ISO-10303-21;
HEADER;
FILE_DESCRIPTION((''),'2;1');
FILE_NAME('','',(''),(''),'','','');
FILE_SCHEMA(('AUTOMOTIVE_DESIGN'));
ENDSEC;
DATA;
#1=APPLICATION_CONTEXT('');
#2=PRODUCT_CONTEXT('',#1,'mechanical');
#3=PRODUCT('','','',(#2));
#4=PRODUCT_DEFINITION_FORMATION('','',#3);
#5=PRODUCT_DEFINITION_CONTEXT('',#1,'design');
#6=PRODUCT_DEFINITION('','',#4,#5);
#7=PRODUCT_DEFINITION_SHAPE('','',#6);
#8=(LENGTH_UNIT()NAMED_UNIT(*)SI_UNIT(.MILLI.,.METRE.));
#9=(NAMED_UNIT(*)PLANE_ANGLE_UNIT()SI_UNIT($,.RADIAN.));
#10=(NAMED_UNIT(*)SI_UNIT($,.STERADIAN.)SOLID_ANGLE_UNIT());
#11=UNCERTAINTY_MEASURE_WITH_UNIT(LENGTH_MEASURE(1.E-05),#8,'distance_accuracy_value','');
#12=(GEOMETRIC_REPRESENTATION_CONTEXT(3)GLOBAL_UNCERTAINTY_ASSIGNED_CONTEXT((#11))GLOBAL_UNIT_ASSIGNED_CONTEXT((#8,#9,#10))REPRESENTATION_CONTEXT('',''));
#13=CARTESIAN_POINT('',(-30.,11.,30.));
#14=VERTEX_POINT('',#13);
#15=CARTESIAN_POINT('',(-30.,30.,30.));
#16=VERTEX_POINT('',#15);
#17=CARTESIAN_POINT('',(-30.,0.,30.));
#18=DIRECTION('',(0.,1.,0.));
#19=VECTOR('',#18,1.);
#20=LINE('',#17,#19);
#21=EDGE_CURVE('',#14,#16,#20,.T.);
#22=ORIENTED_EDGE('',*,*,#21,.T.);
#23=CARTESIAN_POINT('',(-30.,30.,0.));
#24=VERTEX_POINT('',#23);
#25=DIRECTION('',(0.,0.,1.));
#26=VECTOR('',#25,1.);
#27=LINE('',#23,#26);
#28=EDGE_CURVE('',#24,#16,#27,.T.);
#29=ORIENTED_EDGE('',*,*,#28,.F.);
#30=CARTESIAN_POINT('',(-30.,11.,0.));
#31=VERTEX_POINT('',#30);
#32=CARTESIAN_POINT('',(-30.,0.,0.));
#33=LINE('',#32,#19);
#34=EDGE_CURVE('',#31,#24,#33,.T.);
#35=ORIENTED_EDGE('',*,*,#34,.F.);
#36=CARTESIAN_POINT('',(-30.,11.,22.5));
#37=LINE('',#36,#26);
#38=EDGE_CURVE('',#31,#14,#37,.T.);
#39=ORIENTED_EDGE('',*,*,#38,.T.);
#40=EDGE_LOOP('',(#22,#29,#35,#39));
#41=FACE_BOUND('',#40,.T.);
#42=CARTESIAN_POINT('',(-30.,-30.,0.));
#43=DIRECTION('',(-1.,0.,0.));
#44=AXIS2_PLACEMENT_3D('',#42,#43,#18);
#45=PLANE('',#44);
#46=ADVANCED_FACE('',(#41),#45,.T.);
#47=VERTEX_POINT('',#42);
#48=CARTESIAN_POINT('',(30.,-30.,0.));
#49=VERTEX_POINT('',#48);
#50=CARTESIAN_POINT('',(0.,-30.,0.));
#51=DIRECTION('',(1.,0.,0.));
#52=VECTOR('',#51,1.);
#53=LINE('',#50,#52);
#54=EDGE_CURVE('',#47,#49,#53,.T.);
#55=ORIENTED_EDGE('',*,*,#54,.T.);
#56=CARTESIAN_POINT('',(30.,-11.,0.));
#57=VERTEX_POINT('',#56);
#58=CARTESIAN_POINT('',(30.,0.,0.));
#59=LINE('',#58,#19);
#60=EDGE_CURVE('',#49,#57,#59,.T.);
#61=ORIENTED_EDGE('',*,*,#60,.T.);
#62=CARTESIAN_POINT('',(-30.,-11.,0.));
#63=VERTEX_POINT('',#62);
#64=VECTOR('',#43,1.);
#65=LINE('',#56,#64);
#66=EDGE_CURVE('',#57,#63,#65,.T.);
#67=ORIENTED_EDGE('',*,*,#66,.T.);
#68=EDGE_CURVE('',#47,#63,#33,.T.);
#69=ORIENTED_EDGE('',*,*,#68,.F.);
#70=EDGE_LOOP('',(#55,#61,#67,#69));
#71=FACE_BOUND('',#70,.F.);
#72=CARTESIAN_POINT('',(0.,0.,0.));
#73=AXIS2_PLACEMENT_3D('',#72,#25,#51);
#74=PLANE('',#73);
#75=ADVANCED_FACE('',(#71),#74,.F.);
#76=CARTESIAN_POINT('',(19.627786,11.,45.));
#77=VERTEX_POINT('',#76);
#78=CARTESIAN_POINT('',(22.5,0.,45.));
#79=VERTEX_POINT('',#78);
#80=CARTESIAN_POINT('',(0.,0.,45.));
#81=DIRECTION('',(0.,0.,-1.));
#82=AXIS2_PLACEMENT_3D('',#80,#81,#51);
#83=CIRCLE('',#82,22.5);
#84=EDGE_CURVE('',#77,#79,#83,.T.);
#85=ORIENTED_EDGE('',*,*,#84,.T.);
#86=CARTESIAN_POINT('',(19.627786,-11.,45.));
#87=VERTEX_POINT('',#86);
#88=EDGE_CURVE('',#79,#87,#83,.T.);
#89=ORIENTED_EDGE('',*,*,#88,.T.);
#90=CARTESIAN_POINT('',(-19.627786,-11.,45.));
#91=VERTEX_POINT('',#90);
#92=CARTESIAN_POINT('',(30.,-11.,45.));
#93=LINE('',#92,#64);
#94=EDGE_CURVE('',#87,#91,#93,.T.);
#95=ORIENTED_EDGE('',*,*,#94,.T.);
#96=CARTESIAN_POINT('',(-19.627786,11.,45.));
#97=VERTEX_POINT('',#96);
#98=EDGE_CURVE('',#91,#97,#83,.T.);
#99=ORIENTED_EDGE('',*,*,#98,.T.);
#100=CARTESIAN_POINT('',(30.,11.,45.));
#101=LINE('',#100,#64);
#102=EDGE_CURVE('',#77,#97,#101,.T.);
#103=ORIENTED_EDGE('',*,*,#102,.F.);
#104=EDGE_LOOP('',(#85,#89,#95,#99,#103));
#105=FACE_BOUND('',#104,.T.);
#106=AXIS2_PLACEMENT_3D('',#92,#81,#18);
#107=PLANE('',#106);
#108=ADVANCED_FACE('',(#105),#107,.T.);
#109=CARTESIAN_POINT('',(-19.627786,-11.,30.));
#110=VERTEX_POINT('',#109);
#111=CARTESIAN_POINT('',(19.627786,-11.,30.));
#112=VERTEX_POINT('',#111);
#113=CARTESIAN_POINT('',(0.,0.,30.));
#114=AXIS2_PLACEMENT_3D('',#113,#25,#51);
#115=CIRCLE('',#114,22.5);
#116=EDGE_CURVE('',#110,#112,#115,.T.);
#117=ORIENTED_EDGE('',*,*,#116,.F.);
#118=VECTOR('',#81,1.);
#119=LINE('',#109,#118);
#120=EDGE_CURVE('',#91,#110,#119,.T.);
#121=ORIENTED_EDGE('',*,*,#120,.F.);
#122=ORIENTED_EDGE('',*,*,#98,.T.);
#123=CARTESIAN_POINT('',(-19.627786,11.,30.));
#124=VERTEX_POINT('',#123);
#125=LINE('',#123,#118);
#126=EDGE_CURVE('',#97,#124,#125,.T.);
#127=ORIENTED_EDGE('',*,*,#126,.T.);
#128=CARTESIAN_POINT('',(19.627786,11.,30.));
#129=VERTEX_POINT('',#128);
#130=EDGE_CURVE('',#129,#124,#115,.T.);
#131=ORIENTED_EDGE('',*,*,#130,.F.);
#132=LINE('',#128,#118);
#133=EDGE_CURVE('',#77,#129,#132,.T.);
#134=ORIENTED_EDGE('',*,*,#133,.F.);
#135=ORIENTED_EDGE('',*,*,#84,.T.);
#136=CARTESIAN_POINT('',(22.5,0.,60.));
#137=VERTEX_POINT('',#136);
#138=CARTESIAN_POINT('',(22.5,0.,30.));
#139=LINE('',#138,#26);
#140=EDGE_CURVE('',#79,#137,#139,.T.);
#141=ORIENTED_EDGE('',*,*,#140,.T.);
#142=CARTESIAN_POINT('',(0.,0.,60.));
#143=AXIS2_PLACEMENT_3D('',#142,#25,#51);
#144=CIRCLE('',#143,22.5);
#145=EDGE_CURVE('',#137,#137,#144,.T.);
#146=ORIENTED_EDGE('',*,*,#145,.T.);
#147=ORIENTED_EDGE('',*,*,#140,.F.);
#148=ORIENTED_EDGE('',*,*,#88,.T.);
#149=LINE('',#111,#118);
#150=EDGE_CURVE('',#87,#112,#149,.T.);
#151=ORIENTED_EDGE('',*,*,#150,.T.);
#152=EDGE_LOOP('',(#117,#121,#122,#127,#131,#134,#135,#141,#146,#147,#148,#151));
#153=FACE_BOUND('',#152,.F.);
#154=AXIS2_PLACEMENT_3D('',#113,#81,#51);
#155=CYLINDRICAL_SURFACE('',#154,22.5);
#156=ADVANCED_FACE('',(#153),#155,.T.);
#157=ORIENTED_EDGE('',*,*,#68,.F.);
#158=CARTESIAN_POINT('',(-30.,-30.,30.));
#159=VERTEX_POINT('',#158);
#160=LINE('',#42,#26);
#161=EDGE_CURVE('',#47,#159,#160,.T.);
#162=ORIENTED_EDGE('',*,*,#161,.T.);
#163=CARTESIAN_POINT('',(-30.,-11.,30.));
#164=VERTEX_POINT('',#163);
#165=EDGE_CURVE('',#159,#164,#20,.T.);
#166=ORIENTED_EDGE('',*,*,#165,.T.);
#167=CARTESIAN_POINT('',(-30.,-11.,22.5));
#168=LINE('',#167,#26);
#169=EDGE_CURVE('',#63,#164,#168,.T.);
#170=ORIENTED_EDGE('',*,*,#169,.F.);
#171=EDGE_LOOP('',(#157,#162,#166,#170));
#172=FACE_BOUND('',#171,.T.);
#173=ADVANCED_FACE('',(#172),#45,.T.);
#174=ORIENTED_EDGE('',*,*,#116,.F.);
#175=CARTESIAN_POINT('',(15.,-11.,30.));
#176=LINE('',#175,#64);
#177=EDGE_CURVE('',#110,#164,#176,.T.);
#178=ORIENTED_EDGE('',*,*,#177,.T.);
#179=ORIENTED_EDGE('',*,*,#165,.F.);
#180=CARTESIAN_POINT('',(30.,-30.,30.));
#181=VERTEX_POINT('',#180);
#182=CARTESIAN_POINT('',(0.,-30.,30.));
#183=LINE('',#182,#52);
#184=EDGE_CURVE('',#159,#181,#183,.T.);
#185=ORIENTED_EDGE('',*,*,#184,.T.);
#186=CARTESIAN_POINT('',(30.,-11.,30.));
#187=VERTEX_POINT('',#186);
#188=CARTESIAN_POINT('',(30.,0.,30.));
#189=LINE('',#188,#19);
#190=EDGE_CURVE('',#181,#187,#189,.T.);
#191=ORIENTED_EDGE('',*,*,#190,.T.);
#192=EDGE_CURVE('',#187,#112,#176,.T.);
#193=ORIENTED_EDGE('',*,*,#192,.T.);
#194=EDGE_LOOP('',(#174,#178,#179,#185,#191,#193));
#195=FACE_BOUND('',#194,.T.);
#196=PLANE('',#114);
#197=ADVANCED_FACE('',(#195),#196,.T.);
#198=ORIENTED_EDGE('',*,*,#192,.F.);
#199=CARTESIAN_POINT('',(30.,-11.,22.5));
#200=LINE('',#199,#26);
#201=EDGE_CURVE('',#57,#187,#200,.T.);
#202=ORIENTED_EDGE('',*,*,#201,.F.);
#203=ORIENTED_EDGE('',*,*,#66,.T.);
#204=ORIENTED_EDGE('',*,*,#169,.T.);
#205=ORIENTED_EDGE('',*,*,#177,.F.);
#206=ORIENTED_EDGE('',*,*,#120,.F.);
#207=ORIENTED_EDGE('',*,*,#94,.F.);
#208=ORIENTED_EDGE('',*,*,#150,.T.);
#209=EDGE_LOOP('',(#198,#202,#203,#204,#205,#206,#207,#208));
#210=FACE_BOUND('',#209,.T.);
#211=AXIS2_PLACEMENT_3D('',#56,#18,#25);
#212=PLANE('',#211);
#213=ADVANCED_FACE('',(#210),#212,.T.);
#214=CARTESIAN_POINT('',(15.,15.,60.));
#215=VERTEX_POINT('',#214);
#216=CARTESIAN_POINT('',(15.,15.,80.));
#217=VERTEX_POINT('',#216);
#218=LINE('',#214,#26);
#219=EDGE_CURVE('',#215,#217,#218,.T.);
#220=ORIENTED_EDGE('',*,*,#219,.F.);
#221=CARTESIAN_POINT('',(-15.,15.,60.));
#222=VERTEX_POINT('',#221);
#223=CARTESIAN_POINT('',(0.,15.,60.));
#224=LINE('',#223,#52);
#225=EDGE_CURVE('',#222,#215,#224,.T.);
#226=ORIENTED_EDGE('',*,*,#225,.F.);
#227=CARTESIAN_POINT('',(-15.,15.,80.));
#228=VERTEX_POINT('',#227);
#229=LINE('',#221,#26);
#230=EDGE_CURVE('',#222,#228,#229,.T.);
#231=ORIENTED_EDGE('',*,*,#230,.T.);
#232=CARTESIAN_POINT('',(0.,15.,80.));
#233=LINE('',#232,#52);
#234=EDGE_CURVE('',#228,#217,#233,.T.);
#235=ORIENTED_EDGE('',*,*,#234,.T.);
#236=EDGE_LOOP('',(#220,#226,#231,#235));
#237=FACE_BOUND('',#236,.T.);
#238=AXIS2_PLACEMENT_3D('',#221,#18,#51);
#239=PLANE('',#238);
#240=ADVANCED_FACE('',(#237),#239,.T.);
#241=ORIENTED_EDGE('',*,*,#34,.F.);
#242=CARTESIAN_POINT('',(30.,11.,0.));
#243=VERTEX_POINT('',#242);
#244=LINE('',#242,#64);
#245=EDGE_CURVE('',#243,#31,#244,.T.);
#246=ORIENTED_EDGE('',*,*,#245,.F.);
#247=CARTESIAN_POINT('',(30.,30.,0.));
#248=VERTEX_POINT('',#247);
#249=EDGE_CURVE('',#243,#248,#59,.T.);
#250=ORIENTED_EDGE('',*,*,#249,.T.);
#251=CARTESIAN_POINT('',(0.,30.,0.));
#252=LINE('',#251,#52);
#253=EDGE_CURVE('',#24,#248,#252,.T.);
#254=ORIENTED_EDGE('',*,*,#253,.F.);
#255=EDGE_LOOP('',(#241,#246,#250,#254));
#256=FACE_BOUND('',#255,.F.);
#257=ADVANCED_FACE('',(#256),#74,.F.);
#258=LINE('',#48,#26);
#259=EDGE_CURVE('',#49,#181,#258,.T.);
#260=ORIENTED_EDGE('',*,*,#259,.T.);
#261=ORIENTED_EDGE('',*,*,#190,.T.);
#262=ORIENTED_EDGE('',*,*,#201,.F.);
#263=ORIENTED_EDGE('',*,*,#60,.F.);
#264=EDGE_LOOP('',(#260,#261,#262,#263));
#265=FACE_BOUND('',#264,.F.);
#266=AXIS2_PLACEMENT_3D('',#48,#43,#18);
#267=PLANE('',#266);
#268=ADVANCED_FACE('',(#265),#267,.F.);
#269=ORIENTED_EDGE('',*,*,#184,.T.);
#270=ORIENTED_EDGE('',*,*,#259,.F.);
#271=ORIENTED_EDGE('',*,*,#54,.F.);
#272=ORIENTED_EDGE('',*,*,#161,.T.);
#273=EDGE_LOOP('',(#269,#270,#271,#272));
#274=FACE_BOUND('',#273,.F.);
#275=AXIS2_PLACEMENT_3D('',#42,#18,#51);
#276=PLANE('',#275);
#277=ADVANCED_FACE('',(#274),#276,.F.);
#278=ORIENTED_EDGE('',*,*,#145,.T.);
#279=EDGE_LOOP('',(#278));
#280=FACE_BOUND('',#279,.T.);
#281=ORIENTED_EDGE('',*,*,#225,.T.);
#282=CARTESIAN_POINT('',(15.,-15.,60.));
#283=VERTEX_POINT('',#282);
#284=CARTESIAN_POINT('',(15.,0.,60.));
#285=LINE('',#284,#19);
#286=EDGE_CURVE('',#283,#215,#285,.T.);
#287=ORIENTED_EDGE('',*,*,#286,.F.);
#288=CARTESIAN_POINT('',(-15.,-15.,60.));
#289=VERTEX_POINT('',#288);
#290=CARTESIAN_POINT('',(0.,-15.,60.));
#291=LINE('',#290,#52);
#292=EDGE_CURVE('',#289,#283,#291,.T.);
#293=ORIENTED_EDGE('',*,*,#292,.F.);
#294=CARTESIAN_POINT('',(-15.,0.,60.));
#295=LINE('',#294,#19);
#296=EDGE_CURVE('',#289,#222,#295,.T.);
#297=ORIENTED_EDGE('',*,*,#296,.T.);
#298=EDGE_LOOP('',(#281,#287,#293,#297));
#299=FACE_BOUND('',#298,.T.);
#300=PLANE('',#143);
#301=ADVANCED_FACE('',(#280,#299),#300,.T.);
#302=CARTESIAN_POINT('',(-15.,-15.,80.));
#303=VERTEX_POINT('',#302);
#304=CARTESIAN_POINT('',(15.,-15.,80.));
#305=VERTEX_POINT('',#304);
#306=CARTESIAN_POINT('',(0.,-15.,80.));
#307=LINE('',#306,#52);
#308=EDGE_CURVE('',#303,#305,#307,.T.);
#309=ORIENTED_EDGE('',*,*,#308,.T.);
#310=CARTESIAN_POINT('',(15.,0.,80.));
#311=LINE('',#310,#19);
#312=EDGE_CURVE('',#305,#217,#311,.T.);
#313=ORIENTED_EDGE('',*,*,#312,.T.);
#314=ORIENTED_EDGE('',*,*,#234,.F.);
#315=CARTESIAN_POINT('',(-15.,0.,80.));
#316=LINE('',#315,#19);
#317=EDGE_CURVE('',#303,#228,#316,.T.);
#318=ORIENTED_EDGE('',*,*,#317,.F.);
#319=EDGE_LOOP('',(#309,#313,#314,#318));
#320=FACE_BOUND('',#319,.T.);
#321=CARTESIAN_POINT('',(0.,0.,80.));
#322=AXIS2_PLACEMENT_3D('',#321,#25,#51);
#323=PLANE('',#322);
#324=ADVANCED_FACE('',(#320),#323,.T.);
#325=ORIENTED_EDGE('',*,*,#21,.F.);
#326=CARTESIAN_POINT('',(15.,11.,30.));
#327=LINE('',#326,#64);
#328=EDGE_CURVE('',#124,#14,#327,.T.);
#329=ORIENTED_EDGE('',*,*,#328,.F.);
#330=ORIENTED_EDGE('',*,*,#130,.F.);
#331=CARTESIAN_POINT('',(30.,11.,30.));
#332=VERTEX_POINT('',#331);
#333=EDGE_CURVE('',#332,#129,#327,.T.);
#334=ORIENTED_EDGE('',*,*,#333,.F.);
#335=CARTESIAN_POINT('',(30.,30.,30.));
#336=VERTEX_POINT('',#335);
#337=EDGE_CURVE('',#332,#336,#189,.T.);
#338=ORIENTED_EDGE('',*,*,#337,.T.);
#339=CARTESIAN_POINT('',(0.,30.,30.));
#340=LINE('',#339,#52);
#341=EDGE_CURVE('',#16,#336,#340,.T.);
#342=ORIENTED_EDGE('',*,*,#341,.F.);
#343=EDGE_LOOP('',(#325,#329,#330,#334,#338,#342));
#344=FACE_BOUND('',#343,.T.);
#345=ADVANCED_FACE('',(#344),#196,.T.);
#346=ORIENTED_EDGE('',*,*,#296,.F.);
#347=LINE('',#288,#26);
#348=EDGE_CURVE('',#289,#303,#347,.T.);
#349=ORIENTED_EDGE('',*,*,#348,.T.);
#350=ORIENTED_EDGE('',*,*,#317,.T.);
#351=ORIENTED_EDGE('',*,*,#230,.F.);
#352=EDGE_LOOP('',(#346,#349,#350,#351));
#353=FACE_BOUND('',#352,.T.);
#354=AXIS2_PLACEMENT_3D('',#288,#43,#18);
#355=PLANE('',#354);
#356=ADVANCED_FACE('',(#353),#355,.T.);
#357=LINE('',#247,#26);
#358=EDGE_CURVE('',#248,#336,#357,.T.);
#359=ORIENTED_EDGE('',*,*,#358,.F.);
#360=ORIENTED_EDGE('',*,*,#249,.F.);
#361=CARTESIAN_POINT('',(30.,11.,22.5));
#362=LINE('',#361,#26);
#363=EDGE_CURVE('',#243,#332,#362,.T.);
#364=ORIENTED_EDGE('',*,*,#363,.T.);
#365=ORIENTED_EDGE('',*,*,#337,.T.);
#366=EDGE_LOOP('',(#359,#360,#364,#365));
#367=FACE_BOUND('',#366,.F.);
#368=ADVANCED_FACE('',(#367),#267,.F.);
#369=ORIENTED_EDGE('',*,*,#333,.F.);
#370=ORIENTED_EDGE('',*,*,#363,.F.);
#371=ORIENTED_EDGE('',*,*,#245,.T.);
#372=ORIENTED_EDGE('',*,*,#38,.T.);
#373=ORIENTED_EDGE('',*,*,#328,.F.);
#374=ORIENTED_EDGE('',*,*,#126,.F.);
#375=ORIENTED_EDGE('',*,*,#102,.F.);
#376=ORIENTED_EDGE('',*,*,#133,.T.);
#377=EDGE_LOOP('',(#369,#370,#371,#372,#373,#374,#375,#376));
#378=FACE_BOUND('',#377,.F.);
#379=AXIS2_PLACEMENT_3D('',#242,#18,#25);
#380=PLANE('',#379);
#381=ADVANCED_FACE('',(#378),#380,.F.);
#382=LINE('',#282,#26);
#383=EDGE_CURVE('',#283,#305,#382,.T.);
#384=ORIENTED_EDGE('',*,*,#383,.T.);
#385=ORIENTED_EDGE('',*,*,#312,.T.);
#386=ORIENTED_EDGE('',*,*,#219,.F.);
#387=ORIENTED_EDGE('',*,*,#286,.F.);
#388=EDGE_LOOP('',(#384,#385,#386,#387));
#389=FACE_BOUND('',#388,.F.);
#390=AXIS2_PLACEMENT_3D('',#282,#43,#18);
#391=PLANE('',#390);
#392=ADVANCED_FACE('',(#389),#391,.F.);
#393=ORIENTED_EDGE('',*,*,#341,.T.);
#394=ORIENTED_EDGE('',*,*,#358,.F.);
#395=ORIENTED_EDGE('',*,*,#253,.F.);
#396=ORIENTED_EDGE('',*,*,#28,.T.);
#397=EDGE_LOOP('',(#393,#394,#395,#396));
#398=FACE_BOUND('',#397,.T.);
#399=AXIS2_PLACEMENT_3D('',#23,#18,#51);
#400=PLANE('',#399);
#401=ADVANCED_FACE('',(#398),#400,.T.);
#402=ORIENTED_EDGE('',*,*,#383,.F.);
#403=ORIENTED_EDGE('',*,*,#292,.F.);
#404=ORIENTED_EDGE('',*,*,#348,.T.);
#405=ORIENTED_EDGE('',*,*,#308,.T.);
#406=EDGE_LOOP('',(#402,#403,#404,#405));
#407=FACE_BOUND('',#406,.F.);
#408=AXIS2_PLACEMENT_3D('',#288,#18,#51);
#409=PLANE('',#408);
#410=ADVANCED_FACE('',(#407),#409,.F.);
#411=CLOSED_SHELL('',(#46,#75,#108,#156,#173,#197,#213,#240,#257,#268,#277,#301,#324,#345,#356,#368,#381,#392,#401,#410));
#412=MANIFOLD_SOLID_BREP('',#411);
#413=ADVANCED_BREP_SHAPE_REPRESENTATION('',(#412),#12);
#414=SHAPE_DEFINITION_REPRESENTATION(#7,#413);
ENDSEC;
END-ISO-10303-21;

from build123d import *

# Parameters (mm, degrees)
F0_W     = 60
F0_H     = 60
F1_DEPTH = 30
F2_R     = 22.5
F3_DEPTH = 30
F4_W     = 30
F4_H     = 30
F5_DEPTH = 20
F6_W     = 22
F6_H     = 45
F7_DEPTH = 60


with BuildPart() as f1:
    # F0 (on Top) → F1 (new body)
    with BuildSketch(Plane.XY):
        Rectangle(F0_W, F0_H)
    extrude(amount=F1_DEPTH)

    # F2 (on face) → F3 (join)
    with BuildSketch(Plane.XY.offset(30)):
        Circle(F2_R)
    extrude(amount=F3_DEPTH)

    # F4 (on face) → F5 (join)
    with BuildSketch(Plane.XY.offset(60)):
        Rectangle(F4_W, F4_H)
    extrude(amount=F5_DEPTH)

    # F6 (on face) → F7 (cut)
    with BuildSketch(Plane.YZ.offset(30)):
        with Locations((0, 22.5)):
            Rectangle(F6_W, F6_H)
    extrude(amount=-F7_DEPTH, mode=Mode.SUBTRACT)


solid = f1.part
